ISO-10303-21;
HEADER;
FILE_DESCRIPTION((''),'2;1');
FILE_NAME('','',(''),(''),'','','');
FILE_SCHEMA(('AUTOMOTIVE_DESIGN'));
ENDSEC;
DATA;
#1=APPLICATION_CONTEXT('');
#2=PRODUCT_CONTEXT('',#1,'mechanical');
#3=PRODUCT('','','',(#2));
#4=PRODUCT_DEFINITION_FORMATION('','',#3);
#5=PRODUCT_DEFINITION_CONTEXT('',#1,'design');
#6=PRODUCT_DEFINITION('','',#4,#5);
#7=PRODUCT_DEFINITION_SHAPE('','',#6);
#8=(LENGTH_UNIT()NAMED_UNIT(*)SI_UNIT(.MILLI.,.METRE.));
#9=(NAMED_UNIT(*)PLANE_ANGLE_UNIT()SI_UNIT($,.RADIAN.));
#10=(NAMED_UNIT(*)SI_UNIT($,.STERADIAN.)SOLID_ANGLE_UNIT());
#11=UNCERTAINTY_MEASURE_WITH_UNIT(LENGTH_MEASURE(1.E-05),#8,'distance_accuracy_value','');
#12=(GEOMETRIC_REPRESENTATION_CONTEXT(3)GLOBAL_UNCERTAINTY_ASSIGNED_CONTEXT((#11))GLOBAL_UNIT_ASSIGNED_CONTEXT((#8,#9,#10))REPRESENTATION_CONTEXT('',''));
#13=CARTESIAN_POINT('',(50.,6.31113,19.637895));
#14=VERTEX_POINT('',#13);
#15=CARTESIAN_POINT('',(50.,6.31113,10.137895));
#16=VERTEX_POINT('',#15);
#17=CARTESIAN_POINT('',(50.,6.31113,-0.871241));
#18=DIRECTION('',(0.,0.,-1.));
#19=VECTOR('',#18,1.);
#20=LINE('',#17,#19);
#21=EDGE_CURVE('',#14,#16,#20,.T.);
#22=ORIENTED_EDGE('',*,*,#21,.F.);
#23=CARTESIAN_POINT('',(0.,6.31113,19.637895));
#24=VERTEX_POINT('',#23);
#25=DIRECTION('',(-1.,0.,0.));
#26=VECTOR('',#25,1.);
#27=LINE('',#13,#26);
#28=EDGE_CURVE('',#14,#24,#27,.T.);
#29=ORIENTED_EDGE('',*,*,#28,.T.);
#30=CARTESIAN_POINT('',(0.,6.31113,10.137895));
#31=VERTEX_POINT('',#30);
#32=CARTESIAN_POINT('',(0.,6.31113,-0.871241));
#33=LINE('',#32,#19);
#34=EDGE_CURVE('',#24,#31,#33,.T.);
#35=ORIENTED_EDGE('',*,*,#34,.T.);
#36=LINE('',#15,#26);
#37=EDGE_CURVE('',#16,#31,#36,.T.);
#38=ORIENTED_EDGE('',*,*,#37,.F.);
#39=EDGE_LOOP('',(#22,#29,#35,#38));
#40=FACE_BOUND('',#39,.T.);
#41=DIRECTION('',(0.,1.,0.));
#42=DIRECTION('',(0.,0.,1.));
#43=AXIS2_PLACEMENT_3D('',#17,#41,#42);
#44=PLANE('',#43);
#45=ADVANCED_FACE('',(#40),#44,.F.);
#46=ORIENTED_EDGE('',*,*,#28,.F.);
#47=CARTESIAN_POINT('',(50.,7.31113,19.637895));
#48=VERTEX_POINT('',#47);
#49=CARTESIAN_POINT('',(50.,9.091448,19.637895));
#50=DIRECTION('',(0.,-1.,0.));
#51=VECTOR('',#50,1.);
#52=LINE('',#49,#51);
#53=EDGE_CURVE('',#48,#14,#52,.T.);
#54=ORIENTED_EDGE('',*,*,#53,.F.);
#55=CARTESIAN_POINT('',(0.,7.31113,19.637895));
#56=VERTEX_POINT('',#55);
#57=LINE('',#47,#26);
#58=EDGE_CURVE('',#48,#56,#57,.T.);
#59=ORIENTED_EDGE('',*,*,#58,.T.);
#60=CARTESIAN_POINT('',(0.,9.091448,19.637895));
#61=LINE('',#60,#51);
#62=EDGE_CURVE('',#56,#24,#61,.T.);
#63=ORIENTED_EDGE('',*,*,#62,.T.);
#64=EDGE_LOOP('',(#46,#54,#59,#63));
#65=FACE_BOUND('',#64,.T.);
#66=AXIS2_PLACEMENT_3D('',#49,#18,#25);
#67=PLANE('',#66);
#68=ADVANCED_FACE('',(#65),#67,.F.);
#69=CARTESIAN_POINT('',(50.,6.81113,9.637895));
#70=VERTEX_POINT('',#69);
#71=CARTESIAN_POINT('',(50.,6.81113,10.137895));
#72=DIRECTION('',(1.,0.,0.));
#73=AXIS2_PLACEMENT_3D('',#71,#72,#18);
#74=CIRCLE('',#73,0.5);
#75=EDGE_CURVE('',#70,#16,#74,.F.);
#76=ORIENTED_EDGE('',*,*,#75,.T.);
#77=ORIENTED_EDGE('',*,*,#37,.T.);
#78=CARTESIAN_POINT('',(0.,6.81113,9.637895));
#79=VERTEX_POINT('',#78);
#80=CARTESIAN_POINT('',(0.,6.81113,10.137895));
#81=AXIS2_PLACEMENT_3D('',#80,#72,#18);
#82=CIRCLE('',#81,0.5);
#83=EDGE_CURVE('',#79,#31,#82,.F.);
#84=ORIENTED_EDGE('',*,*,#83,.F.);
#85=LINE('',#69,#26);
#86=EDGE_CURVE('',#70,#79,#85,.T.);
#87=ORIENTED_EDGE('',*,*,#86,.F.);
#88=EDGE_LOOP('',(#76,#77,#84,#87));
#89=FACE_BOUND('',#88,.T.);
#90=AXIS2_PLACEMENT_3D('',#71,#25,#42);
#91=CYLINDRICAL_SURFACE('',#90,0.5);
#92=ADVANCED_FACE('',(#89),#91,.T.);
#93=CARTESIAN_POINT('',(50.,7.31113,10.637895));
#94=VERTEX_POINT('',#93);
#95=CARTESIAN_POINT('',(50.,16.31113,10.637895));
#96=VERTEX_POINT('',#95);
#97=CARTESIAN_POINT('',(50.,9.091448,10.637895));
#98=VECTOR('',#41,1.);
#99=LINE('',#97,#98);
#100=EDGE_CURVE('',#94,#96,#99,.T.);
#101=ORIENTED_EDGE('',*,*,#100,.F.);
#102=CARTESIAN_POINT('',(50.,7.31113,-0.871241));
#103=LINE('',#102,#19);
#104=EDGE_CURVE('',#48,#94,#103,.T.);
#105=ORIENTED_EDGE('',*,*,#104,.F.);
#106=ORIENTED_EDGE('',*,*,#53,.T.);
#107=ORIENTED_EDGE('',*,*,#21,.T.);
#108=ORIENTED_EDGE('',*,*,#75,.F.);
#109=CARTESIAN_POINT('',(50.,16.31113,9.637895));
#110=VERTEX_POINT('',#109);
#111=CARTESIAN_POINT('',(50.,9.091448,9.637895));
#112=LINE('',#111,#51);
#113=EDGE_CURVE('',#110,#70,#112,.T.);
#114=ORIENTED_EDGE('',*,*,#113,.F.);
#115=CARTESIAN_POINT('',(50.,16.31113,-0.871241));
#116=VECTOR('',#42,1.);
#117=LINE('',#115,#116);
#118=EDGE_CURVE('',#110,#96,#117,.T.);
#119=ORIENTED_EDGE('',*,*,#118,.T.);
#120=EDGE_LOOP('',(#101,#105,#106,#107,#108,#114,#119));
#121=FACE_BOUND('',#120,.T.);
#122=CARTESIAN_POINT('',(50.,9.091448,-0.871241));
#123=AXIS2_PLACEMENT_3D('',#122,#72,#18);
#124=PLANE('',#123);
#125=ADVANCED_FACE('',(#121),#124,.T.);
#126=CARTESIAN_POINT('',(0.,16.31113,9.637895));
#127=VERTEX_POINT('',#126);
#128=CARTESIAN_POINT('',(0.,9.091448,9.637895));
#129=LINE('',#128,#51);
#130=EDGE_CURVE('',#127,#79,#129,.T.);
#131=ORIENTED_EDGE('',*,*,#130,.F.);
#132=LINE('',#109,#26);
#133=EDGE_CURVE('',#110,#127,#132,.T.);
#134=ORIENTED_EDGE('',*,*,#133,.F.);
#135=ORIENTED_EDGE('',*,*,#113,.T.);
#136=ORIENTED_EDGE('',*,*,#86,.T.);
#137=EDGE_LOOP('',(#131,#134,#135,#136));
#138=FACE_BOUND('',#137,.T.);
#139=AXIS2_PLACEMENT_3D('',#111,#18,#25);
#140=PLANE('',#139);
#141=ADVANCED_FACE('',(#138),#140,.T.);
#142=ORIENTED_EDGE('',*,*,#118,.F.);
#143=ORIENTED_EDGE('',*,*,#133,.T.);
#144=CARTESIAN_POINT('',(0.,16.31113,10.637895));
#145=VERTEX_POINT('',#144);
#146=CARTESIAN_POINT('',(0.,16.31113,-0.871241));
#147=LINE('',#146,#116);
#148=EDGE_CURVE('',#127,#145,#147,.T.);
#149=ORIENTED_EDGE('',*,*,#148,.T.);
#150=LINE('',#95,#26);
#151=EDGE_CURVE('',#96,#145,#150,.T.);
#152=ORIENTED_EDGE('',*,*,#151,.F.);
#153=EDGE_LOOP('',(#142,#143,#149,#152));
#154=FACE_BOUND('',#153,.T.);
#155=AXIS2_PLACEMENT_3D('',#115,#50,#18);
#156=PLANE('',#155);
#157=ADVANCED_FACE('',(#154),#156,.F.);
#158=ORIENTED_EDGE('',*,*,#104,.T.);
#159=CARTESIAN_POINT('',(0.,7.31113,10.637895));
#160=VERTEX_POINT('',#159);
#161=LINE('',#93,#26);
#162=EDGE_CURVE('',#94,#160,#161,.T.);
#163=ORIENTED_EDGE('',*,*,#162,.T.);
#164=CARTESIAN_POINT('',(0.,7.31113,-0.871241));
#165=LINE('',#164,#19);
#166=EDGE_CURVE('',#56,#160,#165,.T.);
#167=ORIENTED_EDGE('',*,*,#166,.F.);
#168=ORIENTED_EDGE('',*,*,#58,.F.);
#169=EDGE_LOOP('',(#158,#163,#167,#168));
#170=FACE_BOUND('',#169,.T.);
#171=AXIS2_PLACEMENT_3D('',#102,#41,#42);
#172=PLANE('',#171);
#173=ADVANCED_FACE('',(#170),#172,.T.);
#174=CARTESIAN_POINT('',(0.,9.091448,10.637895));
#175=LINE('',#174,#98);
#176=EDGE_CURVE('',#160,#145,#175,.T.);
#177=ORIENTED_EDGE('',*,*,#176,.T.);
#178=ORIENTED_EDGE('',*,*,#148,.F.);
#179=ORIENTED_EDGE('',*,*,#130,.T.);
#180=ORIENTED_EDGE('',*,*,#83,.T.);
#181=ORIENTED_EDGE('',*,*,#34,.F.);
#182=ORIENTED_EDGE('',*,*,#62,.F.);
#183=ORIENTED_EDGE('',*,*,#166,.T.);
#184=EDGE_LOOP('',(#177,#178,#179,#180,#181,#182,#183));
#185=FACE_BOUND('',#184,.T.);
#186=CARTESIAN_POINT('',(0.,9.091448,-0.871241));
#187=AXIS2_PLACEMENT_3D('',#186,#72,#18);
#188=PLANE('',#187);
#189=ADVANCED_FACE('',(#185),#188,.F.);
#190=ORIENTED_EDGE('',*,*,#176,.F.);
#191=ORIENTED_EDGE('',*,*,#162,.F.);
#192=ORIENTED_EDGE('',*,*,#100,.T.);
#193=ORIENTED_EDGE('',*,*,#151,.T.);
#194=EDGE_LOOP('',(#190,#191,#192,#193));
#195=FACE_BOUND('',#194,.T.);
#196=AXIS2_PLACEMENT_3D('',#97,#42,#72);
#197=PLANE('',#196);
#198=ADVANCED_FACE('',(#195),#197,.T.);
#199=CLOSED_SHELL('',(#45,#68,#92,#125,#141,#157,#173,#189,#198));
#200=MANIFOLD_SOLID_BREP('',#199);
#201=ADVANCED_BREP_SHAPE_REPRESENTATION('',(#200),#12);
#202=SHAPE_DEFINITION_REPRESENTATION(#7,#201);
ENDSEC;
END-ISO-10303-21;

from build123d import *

# Parameters (mm, degrees)
SKETCH1_W           = 9
SKETCH1_H           = 1
SKETCH1_W_2         = 1
SKETCH1_H_2         = 9
BOSS_EXTRUDE1_DEPTH = 50


with BuildPart() as part:
    # Sketch1 → Boss-Extrude1 (new body)
    with BuildSketch(Plane(origin=(0, 0, 0), x_dir=(0, 0, -1), z_dir=(1, 0, 0))):
        with Locations((-15.137894846, 6.81112979)):
            Rectangle(SKETCH1_W, SKETCH1_H)
        with Locations((-10.137894846, 11.81112979)):
            Rectangle(SKETCH1_W_2, SKETCH1_H_2)
        with BuildLine():
            Line((-9.637894846, 7.31112979), (-10.637894846, 7.31112979))
            Line((-10.637894846, 7.31112979), (-10.637894846, 6.31112979))
            Line((-10.637894846, 6.31112979), (-10.137894846, 6.31112979))
            ThreePointArc((-10.137894846, 6.31112979), (-9.784341456, 6.4575764), (-9.637894846, 6.81112979))
            Line((-9.637894846, 6.81112979), (-9.637894846, 7.31112979))
        make_face()
    extrude(amount=BOSS_EXTRUDE1_DEPTH)


solid = part.part
